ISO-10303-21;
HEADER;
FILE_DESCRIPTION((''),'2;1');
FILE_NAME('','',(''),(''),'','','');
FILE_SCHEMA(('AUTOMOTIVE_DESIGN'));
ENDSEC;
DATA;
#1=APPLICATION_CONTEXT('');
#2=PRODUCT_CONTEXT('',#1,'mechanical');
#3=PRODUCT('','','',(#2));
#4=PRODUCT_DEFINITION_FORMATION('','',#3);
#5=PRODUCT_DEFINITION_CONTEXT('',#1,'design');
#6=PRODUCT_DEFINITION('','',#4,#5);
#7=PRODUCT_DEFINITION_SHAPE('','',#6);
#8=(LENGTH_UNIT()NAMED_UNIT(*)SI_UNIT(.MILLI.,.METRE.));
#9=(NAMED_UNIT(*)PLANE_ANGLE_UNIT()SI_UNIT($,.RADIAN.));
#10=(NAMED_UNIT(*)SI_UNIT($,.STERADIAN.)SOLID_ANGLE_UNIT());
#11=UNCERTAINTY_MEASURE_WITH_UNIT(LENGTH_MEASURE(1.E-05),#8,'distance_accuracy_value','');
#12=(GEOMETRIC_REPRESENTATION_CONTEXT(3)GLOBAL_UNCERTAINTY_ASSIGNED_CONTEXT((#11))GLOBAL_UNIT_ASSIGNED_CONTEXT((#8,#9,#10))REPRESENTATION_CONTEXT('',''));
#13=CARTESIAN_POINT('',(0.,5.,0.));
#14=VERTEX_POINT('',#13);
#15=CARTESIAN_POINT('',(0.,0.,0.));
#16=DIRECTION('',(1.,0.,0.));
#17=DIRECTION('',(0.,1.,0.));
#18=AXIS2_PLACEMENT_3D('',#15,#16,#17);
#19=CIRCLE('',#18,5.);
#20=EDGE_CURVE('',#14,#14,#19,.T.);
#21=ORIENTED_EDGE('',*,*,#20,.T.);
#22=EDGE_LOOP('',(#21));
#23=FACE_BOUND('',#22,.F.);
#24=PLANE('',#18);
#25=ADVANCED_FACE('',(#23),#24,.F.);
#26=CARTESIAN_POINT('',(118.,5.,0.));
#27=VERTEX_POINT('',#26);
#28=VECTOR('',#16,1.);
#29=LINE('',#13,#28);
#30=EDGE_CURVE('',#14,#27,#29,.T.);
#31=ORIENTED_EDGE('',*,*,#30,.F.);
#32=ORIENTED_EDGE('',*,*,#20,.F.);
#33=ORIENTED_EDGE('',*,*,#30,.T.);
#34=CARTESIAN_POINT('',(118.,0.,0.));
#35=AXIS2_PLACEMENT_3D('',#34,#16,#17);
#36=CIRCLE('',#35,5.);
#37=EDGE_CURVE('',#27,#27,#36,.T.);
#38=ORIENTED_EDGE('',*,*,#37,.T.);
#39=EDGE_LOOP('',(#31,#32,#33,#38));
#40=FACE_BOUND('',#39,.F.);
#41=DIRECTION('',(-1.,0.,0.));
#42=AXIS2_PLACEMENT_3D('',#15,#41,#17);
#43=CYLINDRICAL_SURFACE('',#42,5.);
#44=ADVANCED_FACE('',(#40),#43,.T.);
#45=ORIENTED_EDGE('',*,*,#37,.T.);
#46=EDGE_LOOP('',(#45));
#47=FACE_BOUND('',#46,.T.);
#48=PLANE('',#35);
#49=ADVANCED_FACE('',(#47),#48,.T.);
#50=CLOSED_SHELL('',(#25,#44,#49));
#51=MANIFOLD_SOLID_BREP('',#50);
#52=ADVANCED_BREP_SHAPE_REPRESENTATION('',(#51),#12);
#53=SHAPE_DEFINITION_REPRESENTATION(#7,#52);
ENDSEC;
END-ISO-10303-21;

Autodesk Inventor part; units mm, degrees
ref_plane "YZ Plane" through (0, 0, 0) normal (1, 0, 0) x (0, 1, 0)
ref_plane "XZ Plane" through (0, 0, 0) normal (0, 1, 0) x (-1, 0, 0)
ref_plane "XY Plane" through (0, 0, 0) normal (0, 0, 1) x (1, 0, 0)
sketch "スケッチ1" plane through (0, 0, 0) normal (1, 0, 0) x (0, 1, 0)
  circle A0 centre (0, 0) radius 5
  dimension "d0" = 10
extrude "押し出し1" add sketch "スケッチ1" along normal blind 118
properties part number "belt_liner_v2_shaft_1" material "アルミニウム 6061"
